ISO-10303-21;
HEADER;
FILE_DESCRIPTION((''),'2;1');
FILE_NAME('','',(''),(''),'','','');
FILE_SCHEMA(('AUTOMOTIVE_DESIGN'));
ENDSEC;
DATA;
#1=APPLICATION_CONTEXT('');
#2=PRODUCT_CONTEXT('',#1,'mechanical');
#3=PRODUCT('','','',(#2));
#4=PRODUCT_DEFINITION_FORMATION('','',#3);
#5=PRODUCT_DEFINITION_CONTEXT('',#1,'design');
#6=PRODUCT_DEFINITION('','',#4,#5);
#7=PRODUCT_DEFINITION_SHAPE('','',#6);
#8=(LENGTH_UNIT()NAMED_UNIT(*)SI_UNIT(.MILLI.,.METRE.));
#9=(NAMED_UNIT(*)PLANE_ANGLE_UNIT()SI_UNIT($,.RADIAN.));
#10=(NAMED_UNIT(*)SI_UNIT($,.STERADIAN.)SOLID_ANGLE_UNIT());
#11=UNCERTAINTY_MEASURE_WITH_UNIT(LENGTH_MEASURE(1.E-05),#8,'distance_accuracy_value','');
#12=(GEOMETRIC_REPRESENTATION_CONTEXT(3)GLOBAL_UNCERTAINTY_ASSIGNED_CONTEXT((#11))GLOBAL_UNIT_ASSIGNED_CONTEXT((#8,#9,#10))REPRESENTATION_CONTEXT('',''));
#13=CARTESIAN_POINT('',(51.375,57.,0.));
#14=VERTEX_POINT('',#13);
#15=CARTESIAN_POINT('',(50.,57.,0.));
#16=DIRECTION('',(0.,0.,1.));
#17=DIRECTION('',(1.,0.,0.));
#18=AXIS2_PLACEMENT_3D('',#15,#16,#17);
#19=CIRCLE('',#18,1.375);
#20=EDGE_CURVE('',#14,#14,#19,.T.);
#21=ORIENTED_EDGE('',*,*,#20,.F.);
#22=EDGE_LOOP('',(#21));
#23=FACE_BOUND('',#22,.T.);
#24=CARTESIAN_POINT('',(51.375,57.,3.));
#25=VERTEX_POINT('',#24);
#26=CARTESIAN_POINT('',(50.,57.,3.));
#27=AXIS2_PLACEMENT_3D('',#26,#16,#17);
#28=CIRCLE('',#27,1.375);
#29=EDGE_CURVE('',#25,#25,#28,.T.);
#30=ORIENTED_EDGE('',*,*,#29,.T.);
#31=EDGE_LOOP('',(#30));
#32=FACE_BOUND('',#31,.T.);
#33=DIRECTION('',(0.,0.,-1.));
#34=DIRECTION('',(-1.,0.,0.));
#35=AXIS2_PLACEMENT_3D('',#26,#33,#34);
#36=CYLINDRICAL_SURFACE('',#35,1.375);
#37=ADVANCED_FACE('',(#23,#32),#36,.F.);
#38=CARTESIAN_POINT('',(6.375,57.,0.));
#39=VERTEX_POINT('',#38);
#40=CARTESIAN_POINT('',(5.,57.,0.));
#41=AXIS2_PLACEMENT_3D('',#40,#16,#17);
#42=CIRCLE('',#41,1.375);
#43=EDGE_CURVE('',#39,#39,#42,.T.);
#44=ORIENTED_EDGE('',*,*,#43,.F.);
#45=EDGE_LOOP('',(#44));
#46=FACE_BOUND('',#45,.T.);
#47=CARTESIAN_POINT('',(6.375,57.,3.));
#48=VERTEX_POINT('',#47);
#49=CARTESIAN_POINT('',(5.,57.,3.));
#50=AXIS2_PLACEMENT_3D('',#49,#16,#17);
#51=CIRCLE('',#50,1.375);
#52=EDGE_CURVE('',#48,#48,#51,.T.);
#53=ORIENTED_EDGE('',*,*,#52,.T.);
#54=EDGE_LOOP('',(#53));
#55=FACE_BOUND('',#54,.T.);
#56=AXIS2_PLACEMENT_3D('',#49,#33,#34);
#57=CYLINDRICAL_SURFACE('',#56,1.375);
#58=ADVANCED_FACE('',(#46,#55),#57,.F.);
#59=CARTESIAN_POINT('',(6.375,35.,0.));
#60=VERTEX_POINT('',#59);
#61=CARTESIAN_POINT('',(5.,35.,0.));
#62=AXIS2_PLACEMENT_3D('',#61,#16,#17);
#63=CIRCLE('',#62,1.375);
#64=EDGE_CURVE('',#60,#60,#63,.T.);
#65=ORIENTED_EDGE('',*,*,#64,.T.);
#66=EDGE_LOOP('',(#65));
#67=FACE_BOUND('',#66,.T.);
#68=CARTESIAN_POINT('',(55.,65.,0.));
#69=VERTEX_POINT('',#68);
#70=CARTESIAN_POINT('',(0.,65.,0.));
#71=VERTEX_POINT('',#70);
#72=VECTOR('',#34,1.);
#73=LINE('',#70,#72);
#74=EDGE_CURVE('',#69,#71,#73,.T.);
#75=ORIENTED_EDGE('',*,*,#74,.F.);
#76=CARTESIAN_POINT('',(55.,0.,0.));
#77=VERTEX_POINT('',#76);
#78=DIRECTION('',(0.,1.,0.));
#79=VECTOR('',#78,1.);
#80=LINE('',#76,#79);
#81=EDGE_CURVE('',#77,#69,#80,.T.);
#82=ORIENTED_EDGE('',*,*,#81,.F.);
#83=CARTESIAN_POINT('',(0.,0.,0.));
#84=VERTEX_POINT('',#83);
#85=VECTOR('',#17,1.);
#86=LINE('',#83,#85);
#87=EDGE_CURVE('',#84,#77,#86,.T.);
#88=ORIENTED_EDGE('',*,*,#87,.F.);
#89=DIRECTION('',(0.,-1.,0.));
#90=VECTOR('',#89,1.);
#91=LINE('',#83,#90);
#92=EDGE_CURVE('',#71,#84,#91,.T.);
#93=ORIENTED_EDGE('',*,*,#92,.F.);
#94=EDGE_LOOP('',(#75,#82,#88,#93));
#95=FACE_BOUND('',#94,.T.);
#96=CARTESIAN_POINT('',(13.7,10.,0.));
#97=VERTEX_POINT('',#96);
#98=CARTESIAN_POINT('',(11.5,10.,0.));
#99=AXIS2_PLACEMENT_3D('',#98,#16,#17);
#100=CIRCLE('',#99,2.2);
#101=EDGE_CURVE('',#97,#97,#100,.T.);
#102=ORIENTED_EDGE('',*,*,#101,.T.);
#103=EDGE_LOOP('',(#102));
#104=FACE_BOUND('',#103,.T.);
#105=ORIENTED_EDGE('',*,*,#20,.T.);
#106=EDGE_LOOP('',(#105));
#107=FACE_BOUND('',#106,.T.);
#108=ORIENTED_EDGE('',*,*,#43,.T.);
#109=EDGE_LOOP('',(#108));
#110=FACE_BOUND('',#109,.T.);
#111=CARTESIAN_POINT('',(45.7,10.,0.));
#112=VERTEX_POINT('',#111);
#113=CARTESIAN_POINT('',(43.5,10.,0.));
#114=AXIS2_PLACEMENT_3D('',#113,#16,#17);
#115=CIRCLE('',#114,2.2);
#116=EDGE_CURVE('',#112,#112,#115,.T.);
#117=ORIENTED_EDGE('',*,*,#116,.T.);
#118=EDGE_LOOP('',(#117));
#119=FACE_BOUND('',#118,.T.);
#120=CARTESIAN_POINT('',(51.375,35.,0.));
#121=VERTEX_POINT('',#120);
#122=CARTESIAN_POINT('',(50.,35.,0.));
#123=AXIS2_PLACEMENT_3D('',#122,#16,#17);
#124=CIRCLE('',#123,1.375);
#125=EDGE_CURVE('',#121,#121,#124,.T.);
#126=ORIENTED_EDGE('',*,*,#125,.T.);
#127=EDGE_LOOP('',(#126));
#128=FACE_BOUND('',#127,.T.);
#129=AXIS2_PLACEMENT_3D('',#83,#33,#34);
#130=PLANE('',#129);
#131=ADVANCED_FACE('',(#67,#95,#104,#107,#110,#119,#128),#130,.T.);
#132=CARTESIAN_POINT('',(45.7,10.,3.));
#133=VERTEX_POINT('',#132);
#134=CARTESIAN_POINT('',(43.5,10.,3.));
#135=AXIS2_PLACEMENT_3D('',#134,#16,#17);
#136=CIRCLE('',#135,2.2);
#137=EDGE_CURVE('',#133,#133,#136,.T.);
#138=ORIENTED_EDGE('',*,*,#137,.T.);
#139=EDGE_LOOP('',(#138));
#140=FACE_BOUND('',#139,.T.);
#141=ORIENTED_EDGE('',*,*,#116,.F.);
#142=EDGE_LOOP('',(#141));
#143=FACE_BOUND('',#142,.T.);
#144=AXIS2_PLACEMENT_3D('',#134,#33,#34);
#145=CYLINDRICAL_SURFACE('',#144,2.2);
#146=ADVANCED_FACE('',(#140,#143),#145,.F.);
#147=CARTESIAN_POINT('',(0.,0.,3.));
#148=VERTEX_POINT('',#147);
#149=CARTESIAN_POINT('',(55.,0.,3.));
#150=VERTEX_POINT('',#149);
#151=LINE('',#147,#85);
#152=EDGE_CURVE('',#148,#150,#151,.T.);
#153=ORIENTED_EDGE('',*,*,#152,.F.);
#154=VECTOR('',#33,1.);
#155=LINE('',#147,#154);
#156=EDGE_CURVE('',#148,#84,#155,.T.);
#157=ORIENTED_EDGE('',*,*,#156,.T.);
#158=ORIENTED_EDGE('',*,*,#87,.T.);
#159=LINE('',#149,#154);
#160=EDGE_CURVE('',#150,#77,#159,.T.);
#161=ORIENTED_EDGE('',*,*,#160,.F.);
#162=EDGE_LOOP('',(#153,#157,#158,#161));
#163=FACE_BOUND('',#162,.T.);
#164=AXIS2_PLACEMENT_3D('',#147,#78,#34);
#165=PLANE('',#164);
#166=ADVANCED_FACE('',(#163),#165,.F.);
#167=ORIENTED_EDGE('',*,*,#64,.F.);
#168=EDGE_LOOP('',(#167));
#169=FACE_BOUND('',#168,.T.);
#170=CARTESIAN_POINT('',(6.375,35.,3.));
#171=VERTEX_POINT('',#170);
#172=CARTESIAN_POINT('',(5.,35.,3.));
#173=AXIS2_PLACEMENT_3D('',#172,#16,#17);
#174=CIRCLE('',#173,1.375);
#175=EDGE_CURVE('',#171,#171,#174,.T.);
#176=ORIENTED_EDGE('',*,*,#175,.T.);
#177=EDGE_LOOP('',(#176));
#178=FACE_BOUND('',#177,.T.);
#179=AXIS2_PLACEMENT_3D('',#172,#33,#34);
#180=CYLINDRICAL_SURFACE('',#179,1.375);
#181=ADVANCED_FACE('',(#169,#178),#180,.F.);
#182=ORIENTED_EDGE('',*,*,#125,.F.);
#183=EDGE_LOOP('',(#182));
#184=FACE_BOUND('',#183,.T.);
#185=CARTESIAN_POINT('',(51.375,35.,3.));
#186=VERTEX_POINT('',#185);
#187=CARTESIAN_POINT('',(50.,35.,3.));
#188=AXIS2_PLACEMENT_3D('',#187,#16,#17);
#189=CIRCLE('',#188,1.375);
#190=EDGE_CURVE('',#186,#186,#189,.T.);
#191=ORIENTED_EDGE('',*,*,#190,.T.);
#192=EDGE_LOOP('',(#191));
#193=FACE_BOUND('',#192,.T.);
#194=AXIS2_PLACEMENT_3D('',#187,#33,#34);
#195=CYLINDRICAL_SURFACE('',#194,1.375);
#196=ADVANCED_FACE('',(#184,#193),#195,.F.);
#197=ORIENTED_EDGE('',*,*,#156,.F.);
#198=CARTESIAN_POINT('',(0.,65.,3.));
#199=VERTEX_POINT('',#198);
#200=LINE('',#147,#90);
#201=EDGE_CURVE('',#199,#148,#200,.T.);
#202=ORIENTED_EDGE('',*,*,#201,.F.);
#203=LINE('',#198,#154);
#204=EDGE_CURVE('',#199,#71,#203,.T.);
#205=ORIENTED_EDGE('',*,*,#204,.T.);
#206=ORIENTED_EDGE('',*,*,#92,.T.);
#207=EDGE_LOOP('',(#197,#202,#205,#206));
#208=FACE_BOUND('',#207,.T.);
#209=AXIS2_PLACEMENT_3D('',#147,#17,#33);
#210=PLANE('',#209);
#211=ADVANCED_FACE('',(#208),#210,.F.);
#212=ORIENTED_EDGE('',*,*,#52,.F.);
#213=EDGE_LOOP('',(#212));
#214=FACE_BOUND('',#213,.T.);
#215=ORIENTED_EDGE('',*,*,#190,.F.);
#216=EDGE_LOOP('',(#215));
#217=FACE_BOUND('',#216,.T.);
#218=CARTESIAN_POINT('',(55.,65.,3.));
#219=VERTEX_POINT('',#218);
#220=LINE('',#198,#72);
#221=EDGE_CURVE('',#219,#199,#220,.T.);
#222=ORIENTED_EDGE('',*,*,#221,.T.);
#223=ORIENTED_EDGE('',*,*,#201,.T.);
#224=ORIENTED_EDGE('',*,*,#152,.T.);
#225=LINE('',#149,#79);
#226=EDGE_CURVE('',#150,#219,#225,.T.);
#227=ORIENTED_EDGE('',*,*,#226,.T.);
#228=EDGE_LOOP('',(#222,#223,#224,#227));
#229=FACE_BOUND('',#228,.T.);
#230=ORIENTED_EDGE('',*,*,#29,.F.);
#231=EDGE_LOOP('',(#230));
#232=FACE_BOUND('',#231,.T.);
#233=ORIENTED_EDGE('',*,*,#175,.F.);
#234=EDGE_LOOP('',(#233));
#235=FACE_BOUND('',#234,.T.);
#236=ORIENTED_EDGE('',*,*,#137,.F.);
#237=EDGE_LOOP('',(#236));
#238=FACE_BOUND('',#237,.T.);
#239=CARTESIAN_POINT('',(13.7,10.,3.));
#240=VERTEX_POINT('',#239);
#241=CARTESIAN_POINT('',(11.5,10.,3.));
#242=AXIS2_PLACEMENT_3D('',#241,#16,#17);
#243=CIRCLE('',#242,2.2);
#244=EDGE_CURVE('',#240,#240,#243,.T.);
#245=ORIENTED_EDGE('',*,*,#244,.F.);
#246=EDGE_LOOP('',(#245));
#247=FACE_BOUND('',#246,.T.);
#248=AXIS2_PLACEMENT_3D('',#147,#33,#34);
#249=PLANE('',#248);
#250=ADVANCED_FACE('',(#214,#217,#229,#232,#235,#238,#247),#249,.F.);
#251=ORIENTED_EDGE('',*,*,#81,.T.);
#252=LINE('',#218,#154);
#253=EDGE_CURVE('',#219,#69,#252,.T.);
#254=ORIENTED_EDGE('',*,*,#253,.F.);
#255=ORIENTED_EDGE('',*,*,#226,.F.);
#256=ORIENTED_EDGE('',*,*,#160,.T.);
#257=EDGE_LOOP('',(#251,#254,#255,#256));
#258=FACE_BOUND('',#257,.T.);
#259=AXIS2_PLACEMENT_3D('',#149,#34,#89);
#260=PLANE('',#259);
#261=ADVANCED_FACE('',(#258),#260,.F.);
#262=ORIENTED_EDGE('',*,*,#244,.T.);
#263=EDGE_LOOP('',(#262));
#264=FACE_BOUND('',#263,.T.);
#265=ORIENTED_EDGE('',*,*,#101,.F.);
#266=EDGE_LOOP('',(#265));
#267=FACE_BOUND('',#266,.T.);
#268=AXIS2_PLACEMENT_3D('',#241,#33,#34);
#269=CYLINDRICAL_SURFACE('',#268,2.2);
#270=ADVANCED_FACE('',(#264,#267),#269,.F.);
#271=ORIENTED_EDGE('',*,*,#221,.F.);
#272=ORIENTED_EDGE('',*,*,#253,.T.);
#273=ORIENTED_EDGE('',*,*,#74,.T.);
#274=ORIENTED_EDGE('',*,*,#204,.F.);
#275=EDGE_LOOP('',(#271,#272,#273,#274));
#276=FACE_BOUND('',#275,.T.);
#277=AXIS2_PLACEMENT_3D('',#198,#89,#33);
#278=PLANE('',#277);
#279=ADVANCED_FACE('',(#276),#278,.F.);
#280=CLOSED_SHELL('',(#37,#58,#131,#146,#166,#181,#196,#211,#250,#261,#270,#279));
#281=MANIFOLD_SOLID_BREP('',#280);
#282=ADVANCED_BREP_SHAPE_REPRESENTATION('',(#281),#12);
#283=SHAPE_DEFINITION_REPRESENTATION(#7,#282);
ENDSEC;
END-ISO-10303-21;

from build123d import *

# Parameters (mm, degrees)
SKETCH1_W           = 55
SKETCH1_H           = 65
SKETCH1_R           = 1.375
SKETCH1_R_2         = 2.2
BOSS_EXTRUDE1_DEPTH = 3


with BuildPart() as part:
    # Sketch1 → Boss-Extrude1 (new body)
    with BuildSketch(Plane.XY):
        with Locations((27.5, 32.5)):
            Rectangle(SKETCH1_W, SKETCH1_H)
        with Locations((5, 57)):
            Circle(SKETCH1_R, mode=Mode.SUBTRACT)
        with Locations((50, 57)):
            Circle(SKETCH1_R, mode=Mode.SUBTRACT)
        with Locations((50, 35)):
            Circle(SKETCH1_R, mode=Mode.SUBTRACT)
        with Locations((5, 35)):
            Circle(SKETCH1_R, mode=Mode.SUBTRACT)
        with Locations((11.5, 10)):
            Circle(SKETCH1_R_2, mode=Mode.SUBTRACT)
        with Locations((43.5, 10)):
            Circle(SKETCH1_R_2, mode=Mode.SUBTRACT)
    extrude(amount=BOSS_EXTRUDE1_DEPTH)


solid = part.part
